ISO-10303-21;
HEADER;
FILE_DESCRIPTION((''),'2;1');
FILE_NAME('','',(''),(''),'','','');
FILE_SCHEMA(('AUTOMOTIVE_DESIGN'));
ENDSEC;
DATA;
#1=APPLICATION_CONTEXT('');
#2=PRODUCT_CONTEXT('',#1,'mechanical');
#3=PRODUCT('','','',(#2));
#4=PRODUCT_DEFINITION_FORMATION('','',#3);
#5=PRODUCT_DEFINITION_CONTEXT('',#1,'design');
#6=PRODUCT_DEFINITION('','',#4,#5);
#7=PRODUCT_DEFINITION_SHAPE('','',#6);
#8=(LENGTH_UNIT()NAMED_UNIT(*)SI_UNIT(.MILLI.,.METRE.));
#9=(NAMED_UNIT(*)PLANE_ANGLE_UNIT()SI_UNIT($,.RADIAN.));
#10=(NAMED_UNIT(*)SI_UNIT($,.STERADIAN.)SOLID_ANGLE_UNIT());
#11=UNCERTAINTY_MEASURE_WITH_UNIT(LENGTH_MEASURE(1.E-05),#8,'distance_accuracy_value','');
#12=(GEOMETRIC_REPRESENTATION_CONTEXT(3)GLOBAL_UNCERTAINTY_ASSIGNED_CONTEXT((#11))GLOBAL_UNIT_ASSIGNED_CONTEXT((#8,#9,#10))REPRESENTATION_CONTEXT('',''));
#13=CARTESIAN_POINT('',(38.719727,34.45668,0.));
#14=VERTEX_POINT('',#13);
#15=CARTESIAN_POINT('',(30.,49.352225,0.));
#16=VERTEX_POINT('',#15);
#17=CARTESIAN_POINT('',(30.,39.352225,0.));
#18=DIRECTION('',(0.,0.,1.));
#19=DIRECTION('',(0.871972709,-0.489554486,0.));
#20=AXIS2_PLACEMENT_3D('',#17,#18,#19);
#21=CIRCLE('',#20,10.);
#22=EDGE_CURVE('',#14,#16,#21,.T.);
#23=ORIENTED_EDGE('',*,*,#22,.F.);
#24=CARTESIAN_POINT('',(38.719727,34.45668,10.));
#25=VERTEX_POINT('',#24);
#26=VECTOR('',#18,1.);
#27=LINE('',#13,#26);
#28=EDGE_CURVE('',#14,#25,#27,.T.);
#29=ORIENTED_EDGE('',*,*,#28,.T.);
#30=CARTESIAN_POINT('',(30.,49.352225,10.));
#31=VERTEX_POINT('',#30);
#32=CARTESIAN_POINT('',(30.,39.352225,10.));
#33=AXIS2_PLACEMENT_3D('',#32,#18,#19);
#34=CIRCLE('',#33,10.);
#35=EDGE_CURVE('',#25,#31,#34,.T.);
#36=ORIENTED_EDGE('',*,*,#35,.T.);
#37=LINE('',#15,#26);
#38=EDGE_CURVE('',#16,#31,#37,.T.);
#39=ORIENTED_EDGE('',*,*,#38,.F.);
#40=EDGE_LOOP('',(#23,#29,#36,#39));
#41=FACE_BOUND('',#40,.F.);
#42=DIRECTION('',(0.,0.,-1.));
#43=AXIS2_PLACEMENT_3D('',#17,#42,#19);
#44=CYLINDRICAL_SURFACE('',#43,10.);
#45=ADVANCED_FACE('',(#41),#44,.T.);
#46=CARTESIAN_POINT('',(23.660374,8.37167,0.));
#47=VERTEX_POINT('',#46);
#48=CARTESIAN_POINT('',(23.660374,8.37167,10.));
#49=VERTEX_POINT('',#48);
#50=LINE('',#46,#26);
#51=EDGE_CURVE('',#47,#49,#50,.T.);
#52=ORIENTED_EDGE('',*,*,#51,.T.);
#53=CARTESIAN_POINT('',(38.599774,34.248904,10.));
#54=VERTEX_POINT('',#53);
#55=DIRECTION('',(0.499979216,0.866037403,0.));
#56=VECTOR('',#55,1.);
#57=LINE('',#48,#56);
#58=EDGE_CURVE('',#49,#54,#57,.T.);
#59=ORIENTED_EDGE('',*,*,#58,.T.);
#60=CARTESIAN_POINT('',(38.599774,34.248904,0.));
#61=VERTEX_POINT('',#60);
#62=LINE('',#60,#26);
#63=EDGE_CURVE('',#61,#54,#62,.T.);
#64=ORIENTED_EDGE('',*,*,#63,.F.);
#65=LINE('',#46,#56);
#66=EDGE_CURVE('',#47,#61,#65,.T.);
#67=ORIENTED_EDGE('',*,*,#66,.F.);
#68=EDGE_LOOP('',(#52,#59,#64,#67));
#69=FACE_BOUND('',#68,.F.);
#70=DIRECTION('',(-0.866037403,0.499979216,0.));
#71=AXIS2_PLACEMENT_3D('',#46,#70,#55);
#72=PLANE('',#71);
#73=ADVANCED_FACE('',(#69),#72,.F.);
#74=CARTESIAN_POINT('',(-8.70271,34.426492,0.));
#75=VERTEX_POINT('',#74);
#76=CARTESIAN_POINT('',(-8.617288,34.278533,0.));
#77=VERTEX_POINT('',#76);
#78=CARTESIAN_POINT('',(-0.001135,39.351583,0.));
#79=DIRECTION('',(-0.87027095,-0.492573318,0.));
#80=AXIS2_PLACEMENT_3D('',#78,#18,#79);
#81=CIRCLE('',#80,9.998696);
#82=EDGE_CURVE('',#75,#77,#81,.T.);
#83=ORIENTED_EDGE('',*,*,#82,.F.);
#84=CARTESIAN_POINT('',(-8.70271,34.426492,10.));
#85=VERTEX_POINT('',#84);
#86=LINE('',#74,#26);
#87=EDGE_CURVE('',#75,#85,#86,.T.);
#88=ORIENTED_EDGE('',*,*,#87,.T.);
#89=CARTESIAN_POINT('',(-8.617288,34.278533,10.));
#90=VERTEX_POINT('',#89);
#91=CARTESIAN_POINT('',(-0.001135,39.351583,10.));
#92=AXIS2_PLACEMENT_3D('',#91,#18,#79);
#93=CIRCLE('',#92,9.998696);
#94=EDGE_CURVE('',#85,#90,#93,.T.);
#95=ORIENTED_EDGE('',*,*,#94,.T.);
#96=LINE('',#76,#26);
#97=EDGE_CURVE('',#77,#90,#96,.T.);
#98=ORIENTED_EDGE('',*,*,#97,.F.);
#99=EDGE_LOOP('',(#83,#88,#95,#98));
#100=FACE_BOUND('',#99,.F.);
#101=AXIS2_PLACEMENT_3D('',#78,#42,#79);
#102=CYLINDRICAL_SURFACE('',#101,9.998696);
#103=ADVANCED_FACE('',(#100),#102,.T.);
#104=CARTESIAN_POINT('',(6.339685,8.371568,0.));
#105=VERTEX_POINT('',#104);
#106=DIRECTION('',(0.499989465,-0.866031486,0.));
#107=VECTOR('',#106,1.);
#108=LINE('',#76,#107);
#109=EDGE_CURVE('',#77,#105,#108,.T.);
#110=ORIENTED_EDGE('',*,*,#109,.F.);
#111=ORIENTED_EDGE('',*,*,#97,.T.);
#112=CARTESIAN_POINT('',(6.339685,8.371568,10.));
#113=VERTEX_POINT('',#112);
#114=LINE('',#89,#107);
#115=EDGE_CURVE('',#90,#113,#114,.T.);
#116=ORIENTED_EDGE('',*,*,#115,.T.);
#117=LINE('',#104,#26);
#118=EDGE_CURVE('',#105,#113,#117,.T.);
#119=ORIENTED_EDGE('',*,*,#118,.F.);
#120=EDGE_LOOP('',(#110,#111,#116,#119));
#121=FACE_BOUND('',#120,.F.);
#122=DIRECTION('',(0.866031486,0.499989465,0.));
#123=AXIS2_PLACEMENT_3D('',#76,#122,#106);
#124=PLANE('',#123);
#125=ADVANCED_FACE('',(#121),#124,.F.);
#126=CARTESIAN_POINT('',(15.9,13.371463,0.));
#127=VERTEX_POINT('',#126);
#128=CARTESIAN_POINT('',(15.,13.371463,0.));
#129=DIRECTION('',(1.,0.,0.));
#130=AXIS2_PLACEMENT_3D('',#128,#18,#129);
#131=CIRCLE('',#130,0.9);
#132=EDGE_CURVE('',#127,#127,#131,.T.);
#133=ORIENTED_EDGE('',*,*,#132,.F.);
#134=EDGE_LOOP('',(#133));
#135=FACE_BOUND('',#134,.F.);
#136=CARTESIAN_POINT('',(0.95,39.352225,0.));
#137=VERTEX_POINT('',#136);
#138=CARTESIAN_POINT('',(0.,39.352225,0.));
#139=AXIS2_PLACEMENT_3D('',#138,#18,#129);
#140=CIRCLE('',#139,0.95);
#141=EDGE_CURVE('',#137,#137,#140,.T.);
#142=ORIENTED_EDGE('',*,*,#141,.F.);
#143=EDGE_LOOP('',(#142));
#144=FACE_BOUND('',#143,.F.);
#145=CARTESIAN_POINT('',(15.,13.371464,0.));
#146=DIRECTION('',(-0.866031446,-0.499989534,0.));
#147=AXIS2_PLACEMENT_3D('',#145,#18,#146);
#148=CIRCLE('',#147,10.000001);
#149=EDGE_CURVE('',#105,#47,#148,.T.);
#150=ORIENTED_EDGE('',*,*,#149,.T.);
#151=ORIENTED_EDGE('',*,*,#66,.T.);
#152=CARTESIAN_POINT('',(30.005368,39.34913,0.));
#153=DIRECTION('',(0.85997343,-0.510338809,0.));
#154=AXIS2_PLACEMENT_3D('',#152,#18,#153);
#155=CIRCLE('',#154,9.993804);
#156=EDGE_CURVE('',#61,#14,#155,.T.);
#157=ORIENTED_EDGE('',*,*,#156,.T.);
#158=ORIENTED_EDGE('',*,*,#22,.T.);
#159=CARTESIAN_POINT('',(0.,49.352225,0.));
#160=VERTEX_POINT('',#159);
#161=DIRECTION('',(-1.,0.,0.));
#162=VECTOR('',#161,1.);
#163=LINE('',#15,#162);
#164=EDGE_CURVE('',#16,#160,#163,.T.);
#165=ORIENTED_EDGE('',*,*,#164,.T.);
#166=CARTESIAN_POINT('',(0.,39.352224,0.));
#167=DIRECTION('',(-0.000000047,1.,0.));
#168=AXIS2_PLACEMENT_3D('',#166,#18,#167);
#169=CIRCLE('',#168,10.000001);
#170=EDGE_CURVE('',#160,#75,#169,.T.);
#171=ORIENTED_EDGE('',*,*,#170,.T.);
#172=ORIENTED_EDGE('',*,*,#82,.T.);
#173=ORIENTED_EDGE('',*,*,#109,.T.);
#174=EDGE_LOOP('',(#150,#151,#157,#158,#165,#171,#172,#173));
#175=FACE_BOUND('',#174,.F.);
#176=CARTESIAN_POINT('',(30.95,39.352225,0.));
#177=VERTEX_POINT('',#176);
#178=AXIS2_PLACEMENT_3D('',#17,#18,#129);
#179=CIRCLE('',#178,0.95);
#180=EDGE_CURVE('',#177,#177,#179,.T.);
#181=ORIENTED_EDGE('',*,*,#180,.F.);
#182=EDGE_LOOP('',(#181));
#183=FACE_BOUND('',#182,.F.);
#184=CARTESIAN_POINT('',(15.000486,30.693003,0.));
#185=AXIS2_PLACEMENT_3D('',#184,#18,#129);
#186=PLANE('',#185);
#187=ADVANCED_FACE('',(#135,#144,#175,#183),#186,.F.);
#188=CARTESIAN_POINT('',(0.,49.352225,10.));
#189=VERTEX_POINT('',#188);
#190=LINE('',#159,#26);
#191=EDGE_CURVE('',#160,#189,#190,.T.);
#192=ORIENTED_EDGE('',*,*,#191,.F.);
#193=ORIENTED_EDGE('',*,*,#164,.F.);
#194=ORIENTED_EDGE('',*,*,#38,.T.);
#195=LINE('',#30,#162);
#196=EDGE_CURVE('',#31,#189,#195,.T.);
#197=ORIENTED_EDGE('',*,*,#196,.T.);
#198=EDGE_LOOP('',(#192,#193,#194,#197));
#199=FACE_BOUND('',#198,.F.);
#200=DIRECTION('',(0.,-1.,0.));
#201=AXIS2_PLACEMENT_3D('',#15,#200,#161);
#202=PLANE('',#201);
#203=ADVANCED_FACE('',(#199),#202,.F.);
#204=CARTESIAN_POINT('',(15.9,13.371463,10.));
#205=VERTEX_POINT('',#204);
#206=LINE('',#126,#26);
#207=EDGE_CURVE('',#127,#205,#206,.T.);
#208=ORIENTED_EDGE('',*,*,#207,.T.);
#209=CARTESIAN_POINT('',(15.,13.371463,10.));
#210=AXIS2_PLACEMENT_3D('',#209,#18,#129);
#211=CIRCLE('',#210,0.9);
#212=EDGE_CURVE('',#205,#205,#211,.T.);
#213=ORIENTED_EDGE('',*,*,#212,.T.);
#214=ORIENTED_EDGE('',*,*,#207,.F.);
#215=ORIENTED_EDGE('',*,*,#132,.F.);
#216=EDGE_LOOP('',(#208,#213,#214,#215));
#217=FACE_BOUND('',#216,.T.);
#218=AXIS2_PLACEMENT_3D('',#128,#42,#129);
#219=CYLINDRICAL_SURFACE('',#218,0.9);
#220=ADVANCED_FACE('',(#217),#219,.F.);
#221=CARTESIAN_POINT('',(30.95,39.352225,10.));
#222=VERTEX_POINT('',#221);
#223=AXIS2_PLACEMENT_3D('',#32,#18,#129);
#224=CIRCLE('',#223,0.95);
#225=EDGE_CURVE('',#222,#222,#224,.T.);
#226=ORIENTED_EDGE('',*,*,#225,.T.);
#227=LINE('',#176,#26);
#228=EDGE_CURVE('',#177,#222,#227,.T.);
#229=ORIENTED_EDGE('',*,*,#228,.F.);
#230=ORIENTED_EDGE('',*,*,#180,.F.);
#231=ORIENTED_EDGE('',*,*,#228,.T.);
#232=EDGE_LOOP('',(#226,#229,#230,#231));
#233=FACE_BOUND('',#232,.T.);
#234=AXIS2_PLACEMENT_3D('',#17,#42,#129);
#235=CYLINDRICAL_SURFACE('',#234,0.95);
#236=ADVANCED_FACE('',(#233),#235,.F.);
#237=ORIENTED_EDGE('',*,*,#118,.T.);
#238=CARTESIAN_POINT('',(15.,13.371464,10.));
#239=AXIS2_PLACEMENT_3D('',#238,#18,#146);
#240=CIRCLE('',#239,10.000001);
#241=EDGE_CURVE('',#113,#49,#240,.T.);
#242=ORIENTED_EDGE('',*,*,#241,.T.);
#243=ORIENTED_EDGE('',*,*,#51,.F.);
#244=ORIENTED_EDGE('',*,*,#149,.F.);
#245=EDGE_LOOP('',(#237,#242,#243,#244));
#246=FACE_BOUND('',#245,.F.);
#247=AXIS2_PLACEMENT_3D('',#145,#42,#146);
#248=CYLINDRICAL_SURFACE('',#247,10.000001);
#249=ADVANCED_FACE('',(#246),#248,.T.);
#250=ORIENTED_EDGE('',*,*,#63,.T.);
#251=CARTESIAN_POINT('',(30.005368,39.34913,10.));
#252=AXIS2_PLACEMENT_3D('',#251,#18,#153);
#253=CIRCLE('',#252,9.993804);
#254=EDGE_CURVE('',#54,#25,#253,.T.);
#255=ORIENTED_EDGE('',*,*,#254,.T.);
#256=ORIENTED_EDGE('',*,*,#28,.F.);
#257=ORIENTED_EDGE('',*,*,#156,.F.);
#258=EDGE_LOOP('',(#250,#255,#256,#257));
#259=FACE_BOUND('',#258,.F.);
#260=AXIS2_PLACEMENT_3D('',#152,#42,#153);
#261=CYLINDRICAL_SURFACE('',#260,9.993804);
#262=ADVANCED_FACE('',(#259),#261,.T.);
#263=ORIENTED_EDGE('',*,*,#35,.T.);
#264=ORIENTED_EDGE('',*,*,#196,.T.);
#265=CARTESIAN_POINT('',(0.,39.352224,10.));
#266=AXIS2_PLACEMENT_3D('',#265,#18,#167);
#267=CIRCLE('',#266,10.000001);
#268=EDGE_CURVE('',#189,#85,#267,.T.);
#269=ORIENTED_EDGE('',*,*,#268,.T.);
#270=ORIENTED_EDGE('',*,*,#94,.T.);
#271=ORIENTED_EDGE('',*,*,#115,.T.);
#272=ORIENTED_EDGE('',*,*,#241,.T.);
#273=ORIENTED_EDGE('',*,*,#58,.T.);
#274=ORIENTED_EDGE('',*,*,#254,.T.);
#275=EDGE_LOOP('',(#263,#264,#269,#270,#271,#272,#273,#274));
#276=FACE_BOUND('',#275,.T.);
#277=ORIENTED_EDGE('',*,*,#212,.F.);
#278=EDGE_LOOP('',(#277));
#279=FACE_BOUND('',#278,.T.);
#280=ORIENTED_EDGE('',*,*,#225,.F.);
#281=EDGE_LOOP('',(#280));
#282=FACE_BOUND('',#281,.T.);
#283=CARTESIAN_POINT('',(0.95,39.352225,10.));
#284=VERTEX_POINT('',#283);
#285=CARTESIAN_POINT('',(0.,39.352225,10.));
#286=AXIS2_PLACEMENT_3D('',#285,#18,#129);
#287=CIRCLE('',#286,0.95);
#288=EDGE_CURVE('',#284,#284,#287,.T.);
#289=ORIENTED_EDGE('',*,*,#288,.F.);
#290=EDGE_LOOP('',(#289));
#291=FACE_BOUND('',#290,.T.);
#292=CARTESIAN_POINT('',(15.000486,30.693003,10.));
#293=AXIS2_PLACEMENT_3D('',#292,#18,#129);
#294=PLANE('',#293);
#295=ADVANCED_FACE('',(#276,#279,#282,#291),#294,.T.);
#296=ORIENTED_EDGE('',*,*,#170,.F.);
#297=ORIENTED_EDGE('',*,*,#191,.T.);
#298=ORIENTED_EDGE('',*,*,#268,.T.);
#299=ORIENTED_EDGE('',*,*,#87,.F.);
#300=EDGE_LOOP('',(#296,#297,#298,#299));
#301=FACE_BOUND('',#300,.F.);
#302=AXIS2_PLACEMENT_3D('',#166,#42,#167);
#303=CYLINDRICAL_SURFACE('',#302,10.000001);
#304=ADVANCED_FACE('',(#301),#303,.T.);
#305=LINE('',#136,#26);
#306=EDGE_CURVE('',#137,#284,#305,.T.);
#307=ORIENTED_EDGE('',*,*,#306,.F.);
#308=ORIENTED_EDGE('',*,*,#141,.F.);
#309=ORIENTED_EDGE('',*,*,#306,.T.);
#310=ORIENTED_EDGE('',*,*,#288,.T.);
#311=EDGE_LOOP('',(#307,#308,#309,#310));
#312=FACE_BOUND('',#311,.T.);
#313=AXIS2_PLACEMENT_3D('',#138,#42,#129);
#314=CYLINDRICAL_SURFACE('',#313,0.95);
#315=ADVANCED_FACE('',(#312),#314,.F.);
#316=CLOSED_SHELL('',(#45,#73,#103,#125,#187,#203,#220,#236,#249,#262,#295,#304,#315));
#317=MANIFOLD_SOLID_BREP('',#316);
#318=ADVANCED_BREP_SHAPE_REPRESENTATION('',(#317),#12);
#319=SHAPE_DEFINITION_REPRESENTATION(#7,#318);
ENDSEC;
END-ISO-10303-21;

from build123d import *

# Parameters (mm, degrees)
F0_R     = 0.9
F0_R_2   = 0.95
F1_DEPTH = 10


with BuildPart() as f1:
    # F0 (on Top) → F1 (new body)
    with BuildSketch(Plane.XY):
        with BuildLine():
            Line((30, 49.352225), (0, 49.352225))
            ThreePointArc((0, 49.352225), (-8.638788, 44.389222), (-8.70271, 34.426492))
            Line((-8.70271, 34.426492), (-8.617288, 34.278533))
            Line((-8.617288, 34.278533), (6.339685, 8.371568))
            ThreePointArc((6.339685, 8.371568), (15.000059, 3.371463), (23.660374, 8.37167))
            Line((23.660374, 8.37167), (38.599774, 34.248904))
            Line((38.599774, 34.248904), (38.719727, 34.45668))
            ThreePointArc((38.719727, 34.45668), (38.630048, 44.404182), (30, 49.352225))
        make_face()
        with Locations((15, 13.371463)):
            Circle(F0_R, mode=Mode.SUBTRACT)
        with Locations((0, 39.352225)):
            Circle(F0_R_2, mode=Mode.SUBTRACT)
        with Locations((30, 39.352225)):
            Circle(F0_R_2, mode=Mode.SUBTRACT)
        with BuildLine():
            Line((-8.617288, 34.278533), (-8.70271, 34.426492))
            ThreePointArc((-8.70271, 34.426492), (-8.660315, 34.35233), (-8.617288, 34.278533))
        make_face()
        with BuildLine():
            ThreePointArc((38.599774, 34.248904), (38.660374, 34.352432), (38.719727, 34.45668))
            Line((38.719727, 34.45668), (38.599774, 34.248904))
        make_face()
    extrude(amount=F1_DEPTH)


solid = f1.part
